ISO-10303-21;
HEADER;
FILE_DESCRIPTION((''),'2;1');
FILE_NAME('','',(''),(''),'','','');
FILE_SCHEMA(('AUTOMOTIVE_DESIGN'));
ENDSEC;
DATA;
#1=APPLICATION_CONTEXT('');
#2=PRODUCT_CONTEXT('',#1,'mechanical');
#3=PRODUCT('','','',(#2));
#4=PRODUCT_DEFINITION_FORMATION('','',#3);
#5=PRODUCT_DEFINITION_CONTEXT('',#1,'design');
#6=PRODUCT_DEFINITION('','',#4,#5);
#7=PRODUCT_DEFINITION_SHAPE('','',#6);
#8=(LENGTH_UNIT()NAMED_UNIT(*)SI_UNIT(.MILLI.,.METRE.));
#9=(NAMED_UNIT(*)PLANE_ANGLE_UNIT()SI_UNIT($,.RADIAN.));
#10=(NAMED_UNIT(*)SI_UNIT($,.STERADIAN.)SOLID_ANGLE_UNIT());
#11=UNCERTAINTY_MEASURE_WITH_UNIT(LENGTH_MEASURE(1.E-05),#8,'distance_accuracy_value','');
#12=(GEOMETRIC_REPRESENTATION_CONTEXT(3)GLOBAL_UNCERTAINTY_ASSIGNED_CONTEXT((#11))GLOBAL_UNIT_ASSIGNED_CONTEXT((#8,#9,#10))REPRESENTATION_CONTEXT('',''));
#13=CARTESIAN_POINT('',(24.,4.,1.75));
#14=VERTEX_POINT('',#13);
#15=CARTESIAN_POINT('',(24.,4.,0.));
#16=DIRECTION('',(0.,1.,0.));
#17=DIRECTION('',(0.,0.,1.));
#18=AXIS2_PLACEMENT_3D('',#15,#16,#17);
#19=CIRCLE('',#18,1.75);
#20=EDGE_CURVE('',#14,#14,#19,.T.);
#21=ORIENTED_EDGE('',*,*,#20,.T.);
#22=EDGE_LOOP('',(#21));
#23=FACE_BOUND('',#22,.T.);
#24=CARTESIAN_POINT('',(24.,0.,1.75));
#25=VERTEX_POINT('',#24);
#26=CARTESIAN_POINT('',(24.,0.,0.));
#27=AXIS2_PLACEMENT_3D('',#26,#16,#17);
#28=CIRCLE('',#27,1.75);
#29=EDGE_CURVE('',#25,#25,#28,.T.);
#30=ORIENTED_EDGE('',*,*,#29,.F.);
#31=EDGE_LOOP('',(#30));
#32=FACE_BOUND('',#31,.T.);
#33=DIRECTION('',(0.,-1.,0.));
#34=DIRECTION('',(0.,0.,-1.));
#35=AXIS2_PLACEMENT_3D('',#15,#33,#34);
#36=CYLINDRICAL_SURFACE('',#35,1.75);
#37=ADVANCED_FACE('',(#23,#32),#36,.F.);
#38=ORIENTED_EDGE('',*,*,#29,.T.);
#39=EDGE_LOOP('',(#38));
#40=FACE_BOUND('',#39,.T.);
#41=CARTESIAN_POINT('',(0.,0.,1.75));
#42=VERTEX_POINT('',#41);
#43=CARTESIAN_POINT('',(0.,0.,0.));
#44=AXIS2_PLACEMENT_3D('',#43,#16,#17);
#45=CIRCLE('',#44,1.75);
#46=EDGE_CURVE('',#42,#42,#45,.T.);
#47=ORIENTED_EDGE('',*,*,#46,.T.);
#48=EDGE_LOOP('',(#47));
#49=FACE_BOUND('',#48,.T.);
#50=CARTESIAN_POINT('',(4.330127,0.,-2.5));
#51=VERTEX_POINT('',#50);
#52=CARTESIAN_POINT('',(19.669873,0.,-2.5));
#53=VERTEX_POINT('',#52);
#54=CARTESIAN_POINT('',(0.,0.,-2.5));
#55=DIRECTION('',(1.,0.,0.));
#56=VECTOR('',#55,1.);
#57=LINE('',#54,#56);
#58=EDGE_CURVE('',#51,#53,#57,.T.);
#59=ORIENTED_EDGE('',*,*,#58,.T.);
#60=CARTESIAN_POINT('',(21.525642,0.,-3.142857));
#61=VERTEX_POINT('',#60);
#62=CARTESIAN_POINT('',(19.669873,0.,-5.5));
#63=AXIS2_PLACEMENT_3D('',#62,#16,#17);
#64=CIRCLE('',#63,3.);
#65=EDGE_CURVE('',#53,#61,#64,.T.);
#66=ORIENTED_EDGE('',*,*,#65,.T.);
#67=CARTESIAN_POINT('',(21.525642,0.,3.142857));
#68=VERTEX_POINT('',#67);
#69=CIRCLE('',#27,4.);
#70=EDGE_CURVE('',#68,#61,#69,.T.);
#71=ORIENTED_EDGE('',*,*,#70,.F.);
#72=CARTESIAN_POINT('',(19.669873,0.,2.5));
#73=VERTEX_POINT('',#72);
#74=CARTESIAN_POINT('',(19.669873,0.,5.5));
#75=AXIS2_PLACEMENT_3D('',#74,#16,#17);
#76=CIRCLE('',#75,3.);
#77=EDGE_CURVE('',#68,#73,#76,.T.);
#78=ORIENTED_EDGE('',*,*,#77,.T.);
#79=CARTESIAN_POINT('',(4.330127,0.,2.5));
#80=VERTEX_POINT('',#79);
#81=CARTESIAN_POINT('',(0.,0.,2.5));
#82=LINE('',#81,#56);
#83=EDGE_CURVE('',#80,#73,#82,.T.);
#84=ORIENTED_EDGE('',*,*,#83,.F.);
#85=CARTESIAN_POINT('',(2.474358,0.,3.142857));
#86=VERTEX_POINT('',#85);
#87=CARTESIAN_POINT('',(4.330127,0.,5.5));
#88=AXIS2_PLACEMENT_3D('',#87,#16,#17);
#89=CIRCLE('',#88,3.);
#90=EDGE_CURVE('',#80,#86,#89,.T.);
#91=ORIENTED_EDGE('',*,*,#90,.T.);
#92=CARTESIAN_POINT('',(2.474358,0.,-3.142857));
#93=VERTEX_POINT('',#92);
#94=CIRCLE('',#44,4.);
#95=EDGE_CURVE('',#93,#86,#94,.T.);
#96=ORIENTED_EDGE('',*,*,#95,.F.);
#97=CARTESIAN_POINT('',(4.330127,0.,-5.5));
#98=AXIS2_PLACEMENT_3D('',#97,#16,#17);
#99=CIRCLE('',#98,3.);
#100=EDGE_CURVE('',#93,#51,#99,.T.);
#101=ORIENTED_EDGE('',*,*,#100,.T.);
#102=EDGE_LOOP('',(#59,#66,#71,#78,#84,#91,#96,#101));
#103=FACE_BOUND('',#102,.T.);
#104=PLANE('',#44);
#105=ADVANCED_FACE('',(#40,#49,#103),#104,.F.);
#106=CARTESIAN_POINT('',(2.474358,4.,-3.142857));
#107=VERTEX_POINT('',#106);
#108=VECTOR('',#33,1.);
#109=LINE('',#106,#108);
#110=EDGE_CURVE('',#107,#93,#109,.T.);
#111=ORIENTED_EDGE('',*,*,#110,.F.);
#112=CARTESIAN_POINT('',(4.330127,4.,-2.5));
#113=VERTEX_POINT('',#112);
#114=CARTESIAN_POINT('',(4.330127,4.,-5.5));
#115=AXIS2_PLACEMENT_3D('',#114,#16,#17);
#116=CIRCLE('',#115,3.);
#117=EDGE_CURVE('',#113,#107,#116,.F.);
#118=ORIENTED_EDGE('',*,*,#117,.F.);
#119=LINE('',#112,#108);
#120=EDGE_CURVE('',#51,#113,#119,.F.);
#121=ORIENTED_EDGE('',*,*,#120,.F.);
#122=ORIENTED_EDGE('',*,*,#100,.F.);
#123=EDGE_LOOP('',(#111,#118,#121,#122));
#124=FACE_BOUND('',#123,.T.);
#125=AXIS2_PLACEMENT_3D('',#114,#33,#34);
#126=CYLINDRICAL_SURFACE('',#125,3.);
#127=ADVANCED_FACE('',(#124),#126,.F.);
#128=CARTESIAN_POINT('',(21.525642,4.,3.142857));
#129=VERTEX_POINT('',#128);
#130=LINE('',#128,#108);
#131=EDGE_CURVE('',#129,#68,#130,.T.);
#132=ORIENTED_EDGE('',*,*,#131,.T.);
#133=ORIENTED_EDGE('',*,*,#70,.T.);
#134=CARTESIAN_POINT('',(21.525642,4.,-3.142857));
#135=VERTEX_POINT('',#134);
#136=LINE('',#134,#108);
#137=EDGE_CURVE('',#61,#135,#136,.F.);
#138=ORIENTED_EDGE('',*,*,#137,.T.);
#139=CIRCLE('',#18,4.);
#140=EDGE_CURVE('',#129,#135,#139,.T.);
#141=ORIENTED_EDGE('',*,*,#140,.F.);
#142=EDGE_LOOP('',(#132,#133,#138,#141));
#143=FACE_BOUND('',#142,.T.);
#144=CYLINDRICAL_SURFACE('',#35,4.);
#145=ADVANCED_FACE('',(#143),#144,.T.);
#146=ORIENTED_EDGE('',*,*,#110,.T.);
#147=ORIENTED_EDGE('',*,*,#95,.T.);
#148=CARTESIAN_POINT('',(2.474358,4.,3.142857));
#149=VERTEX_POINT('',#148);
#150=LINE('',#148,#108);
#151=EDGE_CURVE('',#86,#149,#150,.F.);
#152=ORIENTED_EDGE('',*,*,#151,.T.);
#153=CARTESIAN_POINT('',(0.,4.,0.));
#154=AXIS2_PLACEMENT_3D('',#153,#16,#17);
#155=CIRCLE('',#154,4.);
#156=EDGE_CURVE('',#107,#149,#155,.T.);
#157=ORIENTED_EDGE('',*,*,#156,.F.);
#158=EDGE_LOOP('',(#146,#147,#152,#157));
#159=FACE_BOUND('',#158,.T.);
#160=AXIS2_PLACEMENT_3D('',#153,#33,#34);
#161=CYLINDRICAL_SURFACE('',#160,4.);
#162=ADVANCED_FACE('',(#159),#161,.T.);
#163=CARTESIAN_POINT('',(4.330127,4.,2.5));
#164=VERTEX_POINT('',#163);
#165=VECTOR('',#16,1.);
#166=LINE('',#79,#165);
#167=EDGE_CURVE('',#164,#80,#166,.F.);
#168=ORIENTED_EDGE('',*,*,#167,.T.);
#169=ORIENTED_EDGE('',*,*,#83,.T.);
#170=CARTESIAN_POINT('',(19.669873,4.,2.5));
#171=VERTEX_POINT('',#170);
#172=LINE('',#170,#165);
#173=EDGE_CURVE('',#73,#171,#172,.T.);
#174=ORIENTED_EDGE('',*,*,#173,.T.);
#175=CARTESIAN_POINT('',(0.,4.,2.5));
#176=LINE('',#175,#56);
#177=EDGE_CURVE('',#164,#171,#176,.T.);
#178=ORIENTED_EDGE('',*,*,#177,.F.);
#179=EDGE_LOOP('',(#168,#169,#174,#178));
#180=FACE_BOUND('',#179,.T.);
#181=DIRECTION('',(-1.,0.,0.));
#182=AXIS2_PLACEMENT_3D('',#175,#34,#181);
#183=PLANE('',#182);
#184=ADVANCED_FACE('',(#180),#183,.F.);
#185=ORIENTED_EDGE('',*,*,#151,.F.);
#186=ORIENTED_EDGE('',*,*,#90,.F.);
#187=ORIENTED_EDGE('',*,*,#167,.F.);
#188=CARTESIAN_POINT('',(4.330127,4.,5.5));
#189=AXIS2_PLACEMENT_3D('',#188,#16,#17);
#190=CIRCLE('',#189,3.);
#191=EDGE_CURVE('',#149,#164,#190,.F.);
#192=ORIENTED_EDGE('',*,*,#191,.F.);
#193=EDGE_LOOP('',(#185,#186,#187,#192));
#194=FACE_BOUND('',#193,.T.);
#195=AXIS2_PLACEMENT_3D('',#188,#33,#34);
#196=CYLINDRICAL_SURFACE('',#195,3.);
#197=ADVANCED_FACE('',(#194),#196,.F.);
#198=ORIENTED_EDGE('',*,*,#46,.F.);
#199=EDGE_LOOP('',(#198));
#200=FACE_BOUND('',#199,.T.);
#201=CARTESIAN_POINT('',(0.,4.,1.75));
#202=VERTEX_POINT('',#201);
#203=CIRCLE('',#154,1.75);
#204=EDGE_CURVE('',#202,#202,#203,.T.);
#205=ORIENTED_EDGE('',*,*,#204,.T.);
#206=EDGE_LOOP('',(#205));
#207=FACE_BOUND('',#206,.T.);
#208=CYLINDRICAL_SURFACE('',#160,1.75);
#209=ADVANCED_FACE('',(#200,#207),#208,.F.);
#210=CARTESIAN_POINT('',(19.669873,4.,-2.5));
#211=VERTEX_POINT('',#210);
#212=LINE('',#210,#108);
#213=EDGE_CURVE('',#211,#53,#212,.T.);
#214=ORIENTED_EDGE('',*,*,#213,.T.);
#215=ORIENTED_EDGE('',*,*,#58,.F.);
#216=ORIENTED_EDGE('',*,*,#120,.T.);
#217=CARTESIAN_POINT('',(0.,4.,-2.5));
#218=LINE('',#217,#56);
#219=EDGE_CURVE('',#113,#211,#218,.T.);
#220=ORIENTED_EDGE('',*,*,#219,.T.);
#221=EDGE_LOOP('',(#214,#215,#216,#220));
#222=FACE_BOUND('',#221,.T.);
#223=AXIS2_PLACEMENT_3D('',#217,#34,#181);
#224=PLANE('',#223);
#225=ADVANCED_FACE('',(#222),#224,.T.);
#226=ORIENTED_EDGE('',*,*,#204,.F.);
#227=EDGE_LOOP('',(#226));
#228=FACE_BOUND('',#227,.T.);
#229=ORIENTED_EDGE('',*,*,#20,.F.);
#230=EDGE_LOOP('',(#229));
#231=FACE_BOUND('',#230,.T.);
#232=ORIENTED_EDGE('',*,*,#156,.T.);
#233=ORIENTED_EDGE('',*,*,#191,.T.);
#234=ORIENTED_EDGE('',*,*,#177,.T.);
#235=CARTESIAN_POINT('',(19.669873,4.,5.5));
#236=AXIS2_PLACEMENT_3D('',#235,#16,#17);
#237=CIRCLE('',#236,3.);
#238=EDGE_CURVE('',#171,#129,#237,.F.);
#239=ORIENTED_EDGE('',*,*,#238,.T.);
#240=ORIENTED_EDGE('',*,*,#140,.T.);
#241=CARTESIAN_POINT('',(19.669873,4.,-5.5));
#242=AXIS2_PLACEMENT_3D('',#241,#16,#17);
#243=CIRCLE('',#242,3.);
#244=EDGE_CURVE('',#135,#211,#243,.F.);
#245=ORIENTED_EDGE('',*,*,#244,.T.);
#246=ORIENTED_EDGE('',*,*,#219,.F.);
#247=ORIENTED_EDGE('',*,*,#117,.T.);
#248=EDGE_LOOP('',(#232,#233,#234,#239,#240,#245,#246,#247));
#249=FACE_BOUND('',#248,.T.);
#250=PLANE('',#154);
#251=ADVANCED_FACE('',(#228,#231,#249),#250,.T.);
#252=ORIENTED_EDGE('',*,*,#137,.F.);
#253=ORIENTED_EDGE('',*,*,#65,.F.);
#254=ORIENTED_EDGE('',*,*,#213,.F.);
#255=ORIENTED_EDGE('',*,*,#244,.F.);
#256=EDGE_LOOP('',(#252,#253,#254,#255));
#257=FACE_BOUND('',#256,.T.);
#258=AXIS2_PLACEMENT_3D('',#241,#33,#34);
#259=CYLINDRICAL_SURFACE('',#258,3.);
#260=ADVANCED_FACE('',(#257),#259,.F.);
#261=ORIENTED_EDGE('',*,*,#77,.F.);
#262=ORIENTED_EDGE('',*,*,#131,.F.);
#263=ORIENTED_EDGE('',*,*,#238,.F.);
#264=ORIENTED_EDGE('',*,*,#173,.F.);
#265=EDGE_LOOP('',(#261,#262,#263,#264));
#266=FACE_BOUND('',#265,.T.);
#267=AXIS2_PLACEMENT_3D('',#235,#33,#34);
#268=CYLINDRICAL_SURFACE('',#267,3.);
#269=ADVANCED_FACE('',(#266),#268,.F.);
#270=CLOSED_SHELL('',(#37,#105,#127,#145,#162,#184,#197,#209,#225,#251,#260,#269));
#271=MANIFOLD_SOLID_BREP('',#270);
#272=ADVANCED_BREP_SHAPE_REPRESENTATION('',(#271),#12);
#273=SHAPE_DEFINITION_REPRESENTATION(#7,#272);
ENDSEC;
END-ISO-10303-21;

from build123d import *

# Parameters (mm, degrees)
SKETCH1_R           = 1.75
BOSS_EXTRUDE1_DEPTH = 4
FILLET1_R           = 3


with BuildPart() as part:
    # Sketch1 → Boss-Extrude1 (new body)
    with BuildSketch(Plane(origin=(0, 0, 0), x_dir=(1, 0, 0), z_dir=(0, 1, 0))):
        with BuildLine():
            Line((20.877501001, 2.5), (3.122498999, 2.5))
            ThreePointArc((3.122498999, 2.5), (-4, 0), (3.122498999, -2.5))
            Line((3.122498999, -2.5), (20.877501001, -2.5))
            ThreePointArc((20.877501001, -2.5), (28, 0), (20.877501001, 2.5))
        make_face()
        Circle(SKETCH1_R, mode=Mode.SUBTRACT)
        with Locations((24, 0)):
            Circle(SKETCH1_R, mode=Mode.SUBTRACT)
    extrude(amount=BOSS_EXTRUDE1_DEPTH)

    # Fillet1
    fillet1_edges = [part.edges().sort_by_distance(p)[0] for p in [
        (20.877501001, 2, 2.5),
        (3.122498999, 2, 2.5),
        (3.122498999, 2, -2.5),
        (20.877501001, 2, -2.5),
    ]]
    fillet(fillet1_edges, radius=FILLET1_R)


solid = part.part
